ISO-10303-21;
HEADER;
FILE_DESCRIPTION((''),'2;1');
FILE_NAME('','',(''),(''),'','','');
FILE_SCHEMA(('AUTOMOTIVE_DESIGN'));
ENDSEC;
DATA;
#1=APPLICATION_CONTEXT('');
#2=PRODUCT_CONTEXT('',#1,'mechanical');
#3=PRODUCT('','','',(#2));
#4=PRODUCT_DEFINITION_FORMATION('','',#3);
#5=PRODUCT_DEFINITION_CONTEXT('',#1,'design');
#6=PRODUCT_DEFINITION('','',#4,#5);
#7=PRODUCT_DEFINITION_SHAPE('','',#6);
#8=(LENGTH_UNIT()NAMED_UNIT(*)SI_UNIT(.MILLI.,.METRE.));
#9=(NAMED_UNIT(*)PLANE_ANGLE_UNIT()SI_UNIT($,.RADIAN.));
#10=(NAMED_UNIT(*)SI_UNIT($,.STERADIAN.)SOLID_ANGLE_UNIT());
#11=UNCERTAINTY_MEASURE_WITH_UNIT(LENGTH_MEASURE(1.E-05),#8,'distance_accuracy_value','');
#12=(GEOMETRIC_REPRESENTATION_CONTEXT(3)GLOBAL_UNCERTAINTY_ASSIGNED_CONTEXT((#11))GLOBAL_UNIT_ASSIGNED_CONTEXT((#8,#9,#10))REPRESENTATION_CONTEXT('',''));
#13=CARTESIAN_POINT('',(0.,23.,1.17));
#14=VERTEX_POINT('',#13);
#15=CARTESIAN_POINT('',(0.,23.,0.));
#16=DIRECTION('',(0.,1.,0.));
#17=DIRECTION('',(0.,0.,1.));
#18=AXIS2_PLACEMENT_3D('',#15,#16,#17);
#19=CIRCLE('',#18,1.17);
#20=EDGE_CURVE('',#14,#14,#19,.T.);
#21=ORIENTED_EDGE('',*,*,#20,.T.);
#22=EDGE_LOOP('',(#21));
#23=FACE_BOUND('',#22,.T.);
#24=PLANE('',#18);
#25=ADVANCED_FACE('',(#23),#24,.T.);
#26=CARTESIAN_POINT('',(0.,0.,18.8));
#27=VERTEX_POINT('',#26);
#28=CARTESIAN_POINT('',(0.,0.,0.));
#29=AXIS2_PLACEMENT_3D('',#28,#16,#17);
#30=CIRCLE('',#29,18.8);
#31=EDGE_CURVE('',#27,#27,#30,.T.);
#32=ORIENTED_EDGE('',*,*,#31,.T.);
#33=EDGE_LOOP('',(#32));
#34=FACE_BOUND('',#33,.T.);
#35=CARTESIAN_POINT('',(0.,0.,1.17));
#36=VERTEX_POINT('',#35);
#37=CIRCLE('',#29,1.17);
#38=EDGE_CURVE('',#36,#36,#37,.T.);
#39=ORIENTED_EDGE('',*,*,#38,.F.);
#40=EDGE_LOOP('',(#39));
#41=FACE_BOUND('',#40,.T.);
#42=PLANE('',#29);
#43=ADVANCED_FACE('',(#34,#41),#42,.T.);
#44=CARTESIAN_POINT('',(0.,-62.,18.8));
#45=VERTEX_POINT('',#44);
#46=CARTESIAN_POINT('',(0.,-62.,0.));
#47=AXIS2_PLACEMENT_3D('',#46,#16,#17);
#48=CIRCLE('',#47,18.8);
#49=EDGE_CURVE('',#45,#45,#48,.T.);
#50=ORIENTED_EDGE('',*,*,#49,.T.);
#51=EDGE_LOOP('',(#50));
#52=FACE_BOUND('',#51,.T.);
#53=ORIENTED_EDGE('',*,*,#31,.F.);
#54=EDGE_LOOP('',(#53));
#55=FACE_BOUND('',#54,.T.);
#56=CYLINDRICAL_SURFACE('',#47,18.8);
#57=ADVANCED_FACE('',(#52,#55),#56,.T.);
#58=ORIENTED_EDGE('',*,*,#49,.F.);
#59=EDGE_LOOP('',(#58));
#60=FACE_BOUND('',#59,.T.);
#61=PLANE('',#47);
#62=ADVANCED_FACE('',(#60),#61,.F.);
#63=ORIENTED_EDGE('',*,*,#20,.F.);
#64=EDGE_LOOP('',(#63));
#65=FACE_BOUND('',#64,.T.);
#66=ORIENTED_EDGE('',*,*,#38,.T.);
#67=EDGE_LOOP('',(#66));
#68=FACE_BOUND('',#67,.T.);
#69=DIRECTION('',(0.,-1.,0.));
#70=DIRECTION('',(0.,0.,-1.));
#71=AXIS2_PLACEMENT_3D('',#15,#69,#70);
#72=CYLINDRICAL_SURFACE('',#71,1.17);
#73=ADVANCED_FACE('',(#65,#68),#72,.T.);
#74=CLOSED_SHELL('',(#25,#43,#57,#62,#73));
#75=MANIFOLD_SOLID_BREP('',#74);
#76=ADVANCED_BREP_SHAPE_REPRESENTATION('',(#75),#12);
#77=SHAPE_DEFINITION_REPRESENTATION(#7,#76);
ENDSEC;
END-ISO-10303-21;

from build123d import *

# Parameters (mm, degrees)
SKETCH1_R           = 18.8
BOSS_EXTRUDE1_DEPTH = 62
SKETCH2_R           = 1.17
BOSS_EXTRUDE2_DEPTH = 23


with BuildPart() as part:
    # Sketch1 → Boss-Extrude1 (new body)
    with BuildSketch(Plane(origin=(0, 0, 0), x_dir=(1, 0, 0), z_dir=(0, 1, 0))):
        with Locations(Location((0, 0, 0), (0, 0, 270))):
            Circle(SKETCH1_R)
    extrude(amount=-BOSS_EXTRUDE1_DEPTH)

    # Sketch2 → Boss-Extrude2 (add)
    with BuildSketch(Plane(origin=(0, 0, 0), x_dir=(1, 0, 0), z_dir=(0, 1, 0))):
        with Locations(Location((0, 0, 0), (0, 0, 270))):
            Circle(SKETCH2_R)
    extrude(amount=BOSS_EXTRUDE2_DEPTH)


solid = part.part
